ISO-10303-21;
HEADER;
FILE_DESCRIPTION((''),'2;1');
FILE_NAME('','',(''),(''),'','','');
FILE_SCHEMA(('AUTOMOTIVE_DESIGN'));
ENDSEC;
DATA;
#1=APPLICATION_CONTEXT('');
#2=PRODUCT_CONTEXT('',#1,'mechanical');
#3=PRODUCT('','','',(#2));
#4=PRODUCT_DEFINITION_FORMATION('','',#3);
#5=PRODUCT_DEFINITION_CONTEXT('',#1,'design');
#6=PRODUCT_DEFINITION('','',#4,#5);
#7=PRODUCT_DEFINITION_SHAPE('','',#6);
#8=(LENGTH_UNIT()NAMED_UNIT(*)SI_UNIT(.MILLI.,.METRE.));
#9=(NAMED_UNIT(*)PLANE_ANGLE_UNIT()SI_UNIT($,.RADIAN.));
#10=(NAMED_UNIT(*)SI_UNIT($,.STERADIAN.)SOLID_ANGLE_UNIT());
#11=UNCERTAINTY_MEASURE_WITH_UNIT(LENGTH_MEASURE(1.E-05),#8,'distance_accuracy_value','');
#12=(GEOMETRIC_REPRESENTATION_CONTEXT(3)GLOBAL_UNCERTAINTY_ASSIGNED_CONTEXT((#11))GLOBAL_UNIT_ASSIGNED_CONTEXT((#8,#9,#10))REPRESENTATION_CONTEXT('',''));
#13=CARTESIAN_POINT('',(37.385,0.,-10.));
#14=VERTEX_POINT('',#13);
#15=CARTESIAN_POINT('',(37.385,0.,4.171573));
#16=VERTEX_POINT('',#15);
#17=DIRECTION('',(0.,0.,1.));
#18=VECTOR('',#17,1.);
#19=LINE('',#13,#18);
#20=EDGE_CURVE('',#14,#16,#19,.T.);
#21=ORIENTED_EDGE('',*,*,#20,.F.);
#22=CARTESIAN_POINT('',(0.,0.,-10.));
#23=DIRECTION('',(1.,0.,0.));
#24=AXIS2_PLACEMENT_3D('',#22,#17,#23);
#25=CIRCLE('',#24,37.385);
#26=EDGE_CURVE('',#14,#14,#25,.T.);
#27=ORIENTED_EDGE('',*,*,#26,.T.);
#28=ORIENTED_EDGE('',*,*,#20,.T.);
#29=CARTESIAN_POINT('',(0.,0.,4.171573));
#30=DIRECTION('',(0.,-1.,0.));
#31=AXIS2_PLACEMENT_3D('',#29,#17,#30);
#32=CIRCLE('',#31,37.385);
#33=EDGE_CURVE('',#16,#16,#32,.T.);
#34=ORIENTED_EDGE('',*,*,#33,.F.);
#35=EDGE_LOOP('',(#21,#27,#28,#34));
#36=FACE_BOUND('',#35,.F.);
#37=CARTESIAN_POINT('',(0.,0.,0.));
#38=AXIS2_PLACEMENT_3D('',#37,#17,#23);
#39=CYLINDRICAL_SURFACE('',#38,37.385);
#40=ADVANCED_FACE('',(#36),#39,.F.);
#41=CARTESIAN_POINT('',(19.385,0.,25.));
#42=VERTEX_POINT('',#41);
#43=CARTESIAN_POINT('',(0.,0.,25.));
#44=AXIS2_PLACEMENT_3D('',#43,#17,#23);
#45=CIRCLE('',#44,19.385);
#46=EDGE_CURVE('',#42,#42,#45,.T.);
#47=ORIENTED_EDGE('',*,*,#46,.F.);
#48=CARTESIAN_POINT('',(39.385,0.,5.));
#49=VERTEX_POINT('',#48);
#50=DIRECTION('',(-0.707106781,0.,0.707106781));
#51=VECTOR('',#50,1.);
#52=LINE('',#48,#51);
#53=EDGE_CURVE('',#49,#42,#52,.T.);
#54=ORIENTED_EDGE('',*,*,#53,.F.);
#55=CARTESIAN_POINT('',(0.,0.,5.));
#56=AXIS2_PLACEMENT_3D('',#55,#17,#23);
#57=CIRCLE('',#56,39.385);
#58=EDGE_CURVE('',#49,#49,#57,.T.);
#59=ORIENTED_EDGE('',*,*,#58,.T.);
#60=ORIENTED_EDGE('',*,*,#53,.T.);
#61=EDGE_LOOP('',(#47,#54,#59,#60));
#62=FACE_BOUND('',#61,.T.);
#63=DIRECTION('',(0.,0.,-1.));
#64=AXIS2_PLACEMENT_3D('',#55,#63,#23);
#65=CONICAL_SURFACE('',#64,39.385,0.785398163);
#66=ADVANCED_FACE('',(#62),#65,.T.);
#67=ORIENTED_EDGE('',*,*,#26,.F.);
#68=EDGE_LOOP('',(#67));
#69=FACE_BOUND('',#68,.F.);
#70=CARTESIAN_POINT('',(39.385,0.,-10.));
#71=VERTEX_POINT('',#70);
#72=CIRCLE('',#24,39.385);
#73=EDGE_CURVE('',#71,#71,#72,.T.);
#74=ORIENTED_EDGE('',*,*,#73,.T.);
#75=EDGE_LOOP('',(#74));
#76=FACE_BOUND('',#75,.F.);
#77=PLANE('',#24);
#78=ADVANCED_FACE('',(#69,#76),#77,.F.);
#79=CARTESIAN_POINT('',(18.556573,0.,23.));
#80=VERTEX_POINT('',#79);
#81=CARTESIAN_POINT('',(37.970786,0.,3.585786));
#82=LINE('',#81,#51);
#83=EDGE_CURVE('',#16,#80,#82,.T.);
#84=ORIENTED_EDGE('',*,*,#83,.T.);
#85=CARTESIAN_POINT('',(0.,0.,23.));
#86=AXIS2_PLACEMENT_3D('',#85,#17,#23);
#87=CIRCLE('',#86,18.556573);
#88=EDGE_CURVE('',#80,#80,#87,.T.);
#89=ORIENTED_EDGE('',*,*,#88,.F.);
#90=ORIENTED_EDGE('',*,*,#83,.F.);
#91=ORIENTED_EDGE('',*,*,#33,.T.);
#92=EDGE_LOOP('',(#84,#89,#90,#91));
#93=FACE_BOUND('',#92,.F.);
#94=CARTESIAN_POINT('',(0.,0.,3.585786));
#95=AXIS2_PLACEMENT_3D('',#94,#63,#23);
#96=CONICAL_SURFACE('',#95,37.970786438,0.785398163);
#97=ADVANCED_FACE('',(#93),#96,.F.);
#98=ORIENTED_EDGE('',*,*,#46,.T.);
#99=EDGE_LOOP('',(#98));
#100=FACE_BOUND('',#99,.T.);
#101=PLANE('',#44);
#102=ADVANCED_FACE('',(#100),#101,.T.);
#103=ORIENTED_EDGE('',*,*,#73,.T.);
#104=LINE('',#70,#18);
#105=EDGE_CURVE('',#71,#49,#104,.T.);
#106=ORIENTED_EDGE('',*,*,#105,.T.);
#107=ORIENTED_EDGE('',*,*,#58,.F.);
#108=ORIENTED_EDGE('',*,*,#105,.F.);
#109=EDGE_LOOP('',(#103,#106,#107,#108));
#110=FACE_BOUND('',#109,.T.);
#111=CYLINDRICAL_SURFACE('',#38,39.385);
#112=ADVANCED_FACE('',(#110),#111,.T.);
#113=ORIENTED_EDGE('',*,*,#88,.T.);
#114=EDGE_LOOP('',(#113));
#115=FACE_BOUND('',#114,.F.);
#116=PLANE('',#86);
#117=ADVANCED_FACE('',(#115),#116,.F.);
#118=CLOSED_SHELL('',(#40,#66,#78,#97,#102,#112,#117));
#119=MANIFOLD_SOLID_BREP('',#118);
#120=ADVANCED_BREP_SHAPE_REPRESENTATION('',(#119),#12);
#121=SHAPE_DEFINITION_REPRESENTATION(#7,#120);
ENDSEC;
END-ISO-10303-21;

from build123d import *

# Parameters (mm, degrees)
F0_R          = 39.385
F1_DEPTH      = 25
F1_DEPTH_BACK = 10
F2_SIZE       = 20
F3_T          = -2


with BuildPart() as f1:
    # F0 (on Top) → F1 (new body, two sides)
    with BuildSketch(Plane.XY) as f1_sk:
        Circle(F0_R)
    extrude(amount=F1_DEPTH)
    extrude(f1_sk.sketch, amount=-F1_DEPTH_BACK)

    # F2
    f2_edges = [f1.edges().sort_by_distance(p)[0] for p in [
        (-39.385, 0, 25),
    ]]
    chamfer(f2_edges, length=F2_SIZE)

    # F3
    f3_openings = [f1.faces().sort_by_distance(p)[0] for p in [
        (0, 0, -10),
    ]]
    offset(amount=F3_T, openings=f3_openings)


solid = f1.part
